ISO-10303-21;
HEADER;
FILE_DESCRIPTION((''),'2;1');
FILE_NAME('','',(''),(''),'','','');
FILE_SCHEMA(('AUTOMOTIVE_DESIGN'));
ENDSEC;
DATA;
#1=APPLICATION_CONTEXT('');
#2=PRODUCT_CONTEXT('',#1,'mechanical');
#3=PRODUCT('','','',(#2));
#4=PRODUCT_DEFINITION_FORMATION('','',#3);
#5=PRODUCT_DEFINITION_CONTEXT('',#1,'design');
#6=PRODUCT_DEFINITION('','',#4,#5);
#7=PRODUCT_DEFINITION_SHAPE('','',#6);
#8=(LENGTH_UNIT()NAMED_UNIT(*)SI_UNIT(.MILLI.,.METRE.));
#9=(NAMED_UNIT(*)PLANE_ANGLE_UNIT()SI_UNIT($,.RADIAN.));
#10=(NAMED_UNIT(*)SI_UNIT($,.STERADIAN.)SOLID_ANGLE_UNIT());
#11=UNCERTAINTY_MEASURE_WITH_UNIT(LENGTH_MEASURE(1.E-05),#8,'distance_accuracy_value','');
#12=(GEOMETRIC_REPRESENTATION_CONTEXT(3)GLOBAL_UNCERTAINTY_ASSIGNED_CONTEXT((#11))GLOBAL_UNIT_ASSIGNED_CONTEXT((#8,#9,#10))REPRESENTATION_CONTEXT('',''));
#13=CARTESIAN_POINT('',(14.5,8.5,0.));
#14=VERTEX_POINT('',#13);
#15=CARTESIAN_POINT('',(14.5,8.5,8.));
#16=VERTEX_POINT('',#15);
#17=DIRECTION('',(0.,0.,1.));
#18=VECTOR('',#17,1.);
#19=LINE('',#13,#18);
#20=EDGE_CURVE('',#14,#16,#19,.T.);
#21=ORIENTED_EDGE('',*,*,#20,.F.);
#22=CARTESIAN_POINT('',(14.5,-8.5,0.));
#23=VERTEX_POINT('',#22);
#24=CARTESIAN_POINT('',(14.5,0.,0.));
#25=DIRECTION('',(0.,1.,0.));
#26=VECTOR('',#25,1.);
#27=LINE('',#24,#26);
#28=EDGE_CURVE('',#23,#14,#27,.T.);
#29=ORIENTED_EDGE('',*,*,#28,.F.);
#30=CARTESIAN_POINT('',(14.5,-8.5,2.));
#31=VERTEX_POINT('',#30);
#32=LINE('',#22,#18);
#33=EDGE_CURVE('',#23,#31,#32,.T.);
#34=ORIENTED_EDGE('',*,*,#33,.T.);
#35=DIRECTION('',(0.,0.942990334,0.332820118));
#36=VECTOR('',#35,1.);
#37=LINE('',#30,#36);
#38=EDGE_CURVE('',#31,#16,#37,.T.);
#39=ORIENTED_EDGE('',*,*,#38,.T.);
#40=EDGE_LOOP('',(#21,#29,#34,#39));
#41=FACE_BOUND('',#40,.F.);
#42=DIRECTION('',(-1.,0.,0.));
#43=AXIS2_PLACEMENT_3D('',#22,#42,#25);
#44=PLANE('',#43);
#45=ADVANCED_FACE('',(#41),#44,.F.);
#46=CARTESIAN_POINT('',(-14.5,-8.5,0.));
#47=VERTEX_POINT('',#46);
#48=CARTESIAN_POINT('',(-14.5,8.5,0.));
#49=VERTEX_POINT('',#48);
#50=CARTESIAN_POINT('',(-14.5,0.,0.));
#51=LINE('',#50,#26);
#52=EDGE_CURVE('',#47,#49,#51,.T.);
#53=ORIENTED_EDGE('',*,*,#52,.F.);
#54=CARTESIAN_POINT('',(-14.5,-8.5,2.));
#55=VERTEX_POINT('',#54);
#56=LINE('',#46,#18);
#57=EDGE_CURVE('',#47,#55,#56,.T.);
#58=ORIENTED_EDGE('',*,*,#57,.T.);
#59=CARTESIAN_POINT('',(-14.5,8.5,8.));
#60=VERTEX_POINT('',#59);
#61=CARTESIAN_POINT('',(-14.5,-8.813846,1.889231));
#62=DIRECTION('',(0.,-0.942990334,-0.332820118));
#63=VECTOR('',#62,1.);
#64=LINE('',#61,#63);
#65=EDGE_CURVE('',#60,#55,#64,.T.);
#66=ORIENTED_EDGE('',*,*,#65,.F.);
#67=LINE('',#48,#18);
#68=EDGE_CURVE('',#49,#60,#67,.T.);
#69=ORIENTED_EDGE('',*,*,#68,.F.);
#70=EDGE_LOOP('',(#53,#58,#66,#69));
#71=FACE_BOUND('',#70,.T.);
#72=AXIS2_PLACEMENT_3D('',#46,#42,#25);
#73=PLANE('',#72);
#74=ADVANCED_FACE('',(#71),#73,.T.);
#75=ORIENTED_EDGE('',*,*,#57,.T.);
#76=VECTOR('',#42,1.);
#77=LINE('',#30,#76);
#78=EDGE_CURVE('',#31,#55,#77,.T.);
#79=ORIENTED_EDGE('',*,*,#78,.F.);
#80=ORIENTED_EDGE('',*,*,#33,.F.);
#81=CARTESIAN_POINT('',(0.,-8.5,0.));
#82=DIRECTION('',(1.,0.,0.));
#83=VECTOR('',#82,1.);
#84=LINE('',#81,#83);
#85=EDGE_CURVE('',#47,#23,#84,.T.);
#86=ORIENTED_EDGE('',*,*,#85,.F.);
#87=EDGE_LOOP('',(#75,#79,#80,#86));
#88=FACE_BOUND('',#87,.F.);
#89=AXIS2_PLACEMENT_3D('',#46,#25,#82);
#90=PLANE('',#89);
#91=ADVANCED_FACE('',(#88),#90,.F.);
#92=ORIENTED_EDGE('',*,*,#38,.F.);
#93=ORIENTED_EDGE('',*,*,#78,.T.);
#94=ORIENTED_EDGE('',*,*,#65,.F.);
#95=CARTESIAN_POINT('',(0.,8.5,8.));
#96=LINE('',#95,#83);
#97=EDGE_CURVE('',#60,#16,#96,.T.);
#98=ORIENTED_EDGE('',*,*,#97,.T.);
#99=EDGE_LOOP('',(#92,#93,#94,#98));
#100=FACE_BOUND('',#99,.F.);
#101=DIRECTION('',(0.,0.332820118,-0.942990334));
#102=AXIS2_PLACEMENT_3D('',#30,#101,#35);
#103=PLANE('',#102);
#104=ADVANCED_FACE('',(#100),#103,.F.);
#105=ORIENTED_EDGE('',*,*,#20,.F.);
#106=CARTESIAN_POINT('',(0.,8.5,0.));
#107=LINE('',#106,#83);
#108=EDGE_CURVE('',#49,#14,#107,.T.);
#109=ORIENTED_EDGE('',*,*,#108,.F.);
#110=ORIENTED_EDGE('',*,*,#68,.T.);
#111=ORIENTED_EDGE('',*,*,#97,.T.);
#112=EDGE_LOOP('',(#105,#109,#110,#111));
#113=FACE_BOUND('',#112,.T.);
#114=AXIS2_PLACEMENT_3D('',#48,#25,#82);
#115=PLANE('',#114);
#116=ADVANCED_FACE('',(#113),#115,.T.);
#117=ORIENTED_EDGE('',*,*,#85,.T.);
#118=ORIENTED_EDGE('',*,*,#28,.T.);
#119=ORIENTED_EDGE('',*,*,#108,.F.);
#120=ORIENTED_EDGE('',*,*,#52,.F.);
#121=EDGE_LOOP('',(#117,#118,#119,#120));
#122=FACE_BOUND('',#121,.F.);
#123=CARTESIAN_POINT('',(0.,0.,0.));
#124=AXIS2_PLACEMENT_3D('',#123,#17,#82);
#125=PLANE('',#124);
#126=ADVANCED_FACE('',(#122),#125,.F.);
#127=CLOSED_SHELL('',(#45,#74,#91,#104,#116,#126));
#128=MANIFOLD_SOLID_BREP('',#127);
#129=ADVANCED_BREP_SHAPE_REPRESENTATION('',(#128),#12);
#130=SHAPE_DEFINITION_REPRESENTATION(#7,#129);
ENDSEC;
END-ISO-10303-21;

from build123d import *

# Parameters (mm, degrees)
F0_W     = 29
F0_H     = 17
F1_DEPTH = 8
F3_DEPTH = 1143


with BuildPart() as f1:
    # F0 (on Top) → F1 (new body)
    with BuildSketch(Plane.XY):
        Rectangle(F0_W, F0_H)
    extrude(amount=F1_DEPTH)

    # F2 (on face) → F3 (cut)
    with BuildSketch(Plane.YZ.offset(14.5)):
        Polygon((-8.5, 2), (8.5, 8), (-8.5, 8), align=None)
    extrude(amount=-F3_DEPTH, mode=Mode.SUBTRACT)


solid = f1.part
